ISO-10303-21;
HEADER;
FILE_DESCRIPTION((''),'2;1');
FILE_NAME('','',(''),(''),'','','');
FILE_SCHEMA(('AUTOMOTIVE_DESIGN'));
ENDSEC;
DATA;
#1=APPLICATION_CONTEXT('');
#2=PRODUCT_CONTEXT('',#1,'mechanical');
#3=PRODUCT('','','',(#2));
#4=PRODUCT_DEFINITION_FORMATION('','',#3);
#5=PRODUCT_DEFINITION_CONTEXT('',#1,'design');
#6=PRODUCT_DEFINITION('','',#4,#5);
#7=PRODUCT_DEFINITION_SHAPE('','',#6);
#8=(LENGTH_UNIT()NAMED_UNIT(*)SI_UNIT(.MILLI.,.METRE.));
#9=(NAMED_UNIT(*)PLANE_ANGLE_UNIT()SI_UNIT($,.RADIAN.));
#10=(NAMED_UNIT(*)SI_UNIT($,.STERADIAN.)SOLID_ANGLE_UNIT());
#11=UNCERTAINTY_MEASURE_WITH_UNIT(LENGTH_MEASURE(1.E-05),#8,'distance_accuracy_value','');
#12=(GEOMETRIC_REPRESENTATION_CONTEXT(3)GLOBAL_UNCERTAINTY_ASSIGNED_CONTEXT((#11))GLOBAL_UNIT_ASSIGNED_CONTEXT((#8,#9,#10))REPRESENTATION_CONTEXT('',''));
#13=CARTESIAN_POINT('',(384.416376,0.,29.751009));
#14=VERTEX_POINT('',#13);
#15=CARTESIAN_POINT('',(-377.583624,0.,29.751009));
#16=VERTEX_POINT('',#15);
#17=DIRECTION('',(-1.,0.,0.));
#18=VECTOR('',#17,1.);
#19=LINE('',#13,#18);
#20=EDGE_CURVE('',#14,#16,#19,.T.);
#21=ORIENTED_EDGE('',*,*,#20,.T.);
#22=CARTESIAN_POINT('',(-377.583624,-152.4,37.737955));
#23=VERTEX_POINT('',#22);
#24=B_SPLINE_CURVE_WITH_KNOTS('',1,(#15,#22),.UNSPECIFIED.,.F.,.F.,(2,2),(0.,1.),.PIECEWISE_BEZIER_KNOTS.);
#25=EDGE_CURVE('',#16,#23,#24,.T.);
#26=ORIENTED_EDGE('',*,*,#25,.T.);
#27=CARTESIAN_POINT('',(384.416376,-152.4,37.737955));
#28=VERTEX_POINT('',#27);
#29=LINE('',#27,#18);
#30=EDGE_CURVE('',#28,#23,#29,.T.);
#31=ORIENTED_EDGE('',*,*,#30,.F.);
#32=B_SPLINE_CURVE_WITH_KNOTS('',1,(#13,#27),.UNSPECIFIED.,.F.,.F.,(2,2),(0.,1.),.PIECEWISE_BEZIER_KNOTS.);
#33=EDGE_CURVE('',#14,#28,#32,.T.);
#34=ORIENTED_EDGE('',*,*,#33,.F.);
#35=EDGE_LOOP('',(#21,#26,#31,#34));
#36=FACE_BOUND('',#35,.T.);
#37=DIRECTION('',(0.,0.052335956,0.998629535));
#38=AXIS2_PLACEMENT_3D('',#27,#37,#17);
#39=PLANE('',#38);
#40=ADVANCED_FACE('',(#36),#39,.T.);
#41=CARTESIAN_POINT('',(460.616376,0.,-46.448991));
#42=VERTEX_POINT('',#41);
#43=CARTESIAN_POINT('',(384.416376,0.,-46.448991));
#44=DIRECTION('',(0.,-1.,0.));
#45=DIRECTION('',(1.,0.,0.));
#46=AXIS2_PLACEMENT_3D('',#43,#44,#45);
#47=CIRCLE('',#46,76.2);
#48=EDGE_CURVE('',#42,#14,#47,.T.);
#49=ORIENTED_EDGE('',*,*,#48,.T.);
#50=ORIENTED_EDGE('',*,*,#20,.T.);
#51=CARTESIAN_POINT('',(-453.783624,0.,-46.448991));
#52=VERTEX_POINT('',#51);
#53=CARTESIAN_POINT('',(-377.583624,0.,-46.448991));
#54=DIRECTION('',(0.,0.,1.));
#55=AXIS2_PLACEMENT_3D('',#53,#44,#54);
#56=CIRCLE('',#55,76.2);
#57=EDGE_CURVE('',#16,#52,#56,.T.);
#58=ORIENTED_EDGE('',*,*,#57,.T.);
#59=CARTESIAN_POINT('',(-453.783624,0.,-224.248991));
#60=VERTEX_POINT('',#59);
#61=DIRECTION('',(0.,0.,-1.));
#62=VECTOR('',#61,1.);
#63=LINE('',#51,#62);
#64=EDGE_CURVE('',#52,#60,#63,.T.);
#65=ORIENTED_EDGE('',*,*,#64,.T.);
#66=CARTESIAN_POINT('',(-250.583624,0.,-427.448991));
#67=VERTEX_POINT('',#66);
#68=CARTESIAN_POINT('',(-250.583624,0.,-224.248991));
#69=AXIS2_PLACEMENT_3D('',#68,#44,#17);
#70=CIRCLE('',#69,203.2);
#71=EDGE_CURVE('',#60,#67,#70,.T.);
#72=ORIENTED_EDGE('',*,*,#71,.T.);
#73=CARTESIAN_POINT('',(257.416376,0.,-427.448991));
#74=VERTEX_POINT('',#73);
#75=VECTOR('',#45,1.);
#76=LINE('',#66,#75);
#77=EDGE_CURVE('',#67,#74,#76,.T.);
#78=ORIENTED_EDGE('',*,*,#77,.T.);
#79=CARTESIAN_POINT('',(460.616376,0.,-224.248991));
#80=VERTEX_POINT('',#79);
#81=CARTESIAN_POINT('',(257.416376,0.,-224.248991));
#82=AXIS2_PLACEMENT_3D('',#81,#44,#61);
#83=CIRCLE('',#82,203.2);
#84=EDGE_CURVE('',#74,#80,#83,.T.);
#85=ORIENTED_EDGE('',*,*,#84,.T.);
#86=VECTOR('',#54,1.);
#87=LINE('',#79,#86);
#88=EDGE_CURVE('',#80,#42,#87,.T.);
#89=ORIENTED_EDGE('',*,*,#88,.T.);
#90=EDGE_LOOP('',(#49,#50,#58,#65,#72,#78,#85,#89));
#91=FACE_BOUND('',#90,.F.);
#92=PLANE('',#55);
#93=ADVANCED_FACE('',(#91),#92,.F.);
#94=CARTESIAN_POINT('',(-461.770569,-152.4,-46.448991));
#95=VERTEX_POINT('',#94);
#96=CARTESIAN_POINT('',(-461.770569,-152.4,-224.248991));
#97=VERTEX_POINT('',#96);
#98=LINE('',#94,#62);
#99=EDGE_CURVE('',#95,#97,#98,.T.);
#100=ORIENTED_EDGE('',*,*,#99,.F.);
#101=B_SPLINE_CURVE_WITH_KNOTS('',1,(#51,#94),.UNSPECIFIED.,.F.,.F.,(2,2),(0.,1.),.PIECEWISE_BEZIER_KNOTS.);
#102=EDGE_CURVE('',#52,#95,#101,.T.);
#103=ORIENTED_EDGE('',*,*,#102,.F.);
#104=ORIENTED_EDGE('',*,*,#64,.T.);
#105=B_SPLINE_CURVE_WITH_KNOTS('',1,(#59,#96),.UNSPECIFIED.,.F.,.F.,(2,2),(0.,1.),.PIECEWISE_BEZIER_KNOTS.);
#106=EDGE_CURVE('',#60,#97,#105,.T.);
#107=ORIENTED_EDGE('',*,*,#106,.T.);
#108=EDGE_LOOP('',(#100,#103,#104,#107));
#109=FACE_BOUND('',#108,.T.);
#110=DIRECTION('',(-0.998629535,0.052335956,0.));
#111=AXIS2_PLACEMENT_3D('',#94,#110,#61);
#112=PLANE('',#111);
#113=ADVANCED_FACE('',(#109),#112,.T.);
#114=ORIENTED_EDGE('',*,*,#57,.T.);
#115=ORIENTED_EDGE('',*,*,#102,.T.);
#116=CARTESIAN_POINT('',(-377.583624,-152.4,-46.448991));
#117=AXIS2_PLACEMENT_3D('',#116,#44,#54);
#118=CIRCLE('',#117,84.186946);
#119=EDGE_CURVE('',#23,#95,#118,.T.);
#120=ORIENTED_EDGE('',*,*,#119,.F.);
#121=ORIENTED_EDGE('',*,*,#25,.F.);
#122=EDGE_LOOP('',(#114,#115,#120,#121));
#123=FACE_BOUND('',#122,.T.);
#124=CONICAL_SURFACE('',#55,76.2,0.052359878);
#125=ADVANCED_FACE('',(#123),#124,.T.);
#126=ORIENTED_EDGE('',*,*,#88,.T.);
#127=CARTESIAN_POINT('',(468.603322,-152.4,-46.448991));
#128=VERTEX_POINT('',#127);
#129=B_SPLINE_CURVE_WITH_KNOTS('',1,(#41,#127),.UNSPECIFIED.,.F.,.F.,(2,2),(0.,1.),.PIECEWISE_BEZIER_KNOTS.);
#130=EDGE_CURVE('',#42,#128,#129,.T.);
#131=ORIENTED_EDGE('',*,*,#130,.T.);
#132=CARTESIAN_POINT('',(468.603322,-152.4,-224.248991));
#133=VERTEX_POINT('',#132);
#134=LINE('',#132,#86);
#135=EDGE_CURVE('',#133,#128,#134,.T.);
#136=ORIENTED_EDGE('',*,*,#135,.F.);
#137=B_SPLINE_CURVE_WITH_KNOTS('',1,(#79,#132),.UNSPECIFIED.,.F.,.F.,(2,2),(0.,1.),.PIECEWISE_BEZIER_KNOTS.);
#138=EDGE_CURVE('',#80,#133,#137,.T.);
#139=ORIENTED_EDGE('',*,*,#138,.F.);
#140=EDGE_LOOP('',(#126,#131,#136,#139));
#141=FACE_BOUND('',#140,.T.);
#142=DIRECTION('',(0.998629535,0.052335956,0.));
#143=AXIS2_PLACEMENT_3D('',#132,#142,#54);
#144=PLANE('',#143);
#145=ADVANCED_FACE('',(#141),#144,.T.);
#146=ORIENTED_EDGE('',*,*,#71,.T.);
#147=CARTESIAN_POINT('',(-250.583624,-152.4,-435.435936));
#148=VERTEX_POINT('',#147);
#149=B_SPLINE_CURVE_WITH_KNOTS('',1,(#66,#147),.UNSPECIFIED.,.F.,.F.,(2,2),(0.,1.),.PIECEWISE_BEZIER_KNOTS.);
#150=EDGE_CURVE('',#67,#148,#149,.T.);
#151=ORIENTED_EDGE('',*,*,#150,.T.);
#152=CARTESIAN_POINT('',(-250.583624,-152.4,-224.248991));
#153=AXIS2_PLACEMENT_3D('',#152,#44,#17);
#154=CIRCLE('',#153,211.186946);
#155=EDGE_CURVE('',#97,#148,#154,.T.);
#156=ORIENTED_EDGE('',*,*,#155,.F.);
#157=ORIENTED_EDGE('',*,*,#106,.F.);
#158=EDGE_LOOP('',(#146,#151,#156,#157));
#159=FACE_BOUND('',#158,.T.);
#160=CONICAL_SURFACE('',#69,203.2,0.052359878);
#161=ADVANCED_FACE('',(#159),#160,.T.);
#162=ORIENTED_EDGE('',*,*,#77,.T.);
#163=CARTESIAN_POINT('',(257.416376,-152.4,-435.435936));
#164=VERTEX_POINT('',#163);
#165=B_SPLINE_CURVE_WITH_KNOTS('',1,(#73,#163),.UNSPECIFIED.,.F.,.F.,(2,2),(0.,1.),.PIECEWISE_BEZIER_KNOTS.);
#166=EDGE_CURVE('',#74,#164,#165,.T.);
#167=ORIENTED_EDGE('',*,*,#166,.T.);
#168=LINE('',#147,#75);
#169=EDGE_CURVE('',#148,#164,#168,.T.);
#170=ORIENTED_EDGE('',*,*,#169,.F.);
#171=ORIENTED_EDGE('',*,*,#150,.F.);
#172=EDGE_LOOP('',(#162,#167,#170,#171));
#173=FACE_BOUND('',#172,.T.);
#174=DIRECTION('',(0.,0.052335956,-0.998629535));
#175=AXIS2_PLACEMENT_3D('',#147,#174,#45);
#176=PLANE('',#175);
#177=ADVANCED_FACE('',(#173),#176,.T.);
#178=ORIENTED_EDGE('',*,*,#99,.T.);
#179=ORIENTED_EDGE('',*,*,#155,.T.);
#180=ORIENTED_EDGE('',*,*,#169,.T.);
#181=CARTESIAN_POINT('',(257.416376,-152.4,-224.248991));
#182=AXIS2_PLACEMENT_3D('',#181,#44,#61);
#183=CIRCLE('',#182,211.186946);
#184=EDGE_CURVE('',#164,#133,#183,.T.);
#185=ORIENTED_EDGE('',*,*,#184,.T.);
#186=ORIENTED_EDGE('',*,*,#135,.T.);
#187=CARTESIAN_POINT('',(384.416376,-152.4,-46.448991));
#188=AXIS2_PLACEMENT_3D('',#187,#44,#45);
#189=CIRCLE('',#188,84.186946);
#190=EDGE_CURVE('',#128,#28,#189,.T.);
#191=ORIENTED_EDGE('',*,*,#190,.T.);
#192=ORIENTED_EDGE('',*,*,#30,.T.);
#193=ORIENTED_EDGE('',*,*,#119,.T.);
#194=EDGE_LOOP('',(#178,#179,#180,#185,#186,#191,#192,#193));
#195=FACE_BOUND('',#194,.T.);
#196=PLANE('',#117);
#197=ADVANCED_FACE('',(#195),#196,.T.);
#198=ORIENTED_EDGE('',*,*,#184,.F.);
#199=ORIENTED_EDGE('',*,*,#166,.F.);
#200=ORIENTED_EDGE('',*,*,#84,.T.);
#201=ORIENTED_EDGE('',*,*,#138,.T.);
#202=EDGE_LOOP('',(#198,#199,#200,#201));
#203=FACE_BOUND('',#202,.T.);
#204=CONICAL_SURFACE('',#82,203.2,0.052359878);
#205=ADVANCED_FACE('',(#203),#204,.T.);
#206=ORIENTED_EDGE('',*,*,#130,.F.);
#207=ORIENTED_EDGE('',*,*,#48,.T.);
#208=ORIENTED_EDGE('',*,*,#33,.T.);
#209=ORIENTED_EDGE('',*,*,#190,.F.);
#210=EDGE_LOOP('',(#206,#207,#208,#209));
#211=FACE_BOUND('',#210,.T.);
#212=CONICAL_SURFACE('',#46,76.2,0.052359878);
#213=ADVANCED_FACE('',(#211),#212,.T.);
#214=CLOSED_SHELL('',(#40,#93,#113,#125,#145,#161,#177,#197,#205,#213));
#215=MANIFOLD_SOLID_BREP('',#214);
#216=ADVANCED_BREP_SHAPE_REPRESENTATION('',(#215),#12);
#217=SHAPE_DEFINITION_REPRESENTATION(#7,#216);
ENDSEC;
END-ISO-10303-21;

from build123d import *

# Parameters (mm, degrees)
F1_DEPTH = 152.4
F1_TAPER = -3


with BuildPart() as f1:
    # F0 (on Front) → F1 (new body)
    with BuildSketch(Plane.XZ):
        with BuildLine():
            Line((384.4163761884, 29.7510090653), (-377.5836238116, 29.7510090653))
            ThreePointArc((-377.5836238116, 29.7510090653), (-431.465160538, 7.4325457917), (-453.7836238116, -46.4489909347))
            Line((-453.7836238116, -46.4489909347), (-453.7836238116, -224.2489909347))
            ThreePointArc((-453.7836238116, -224.2489909347), (-394.2677217487, -367.9330888718), (-250.5836238116, -427.4489909347))
            Line((-250.5836238116, -427.4489909347), (257.4163761884, -427.4489909347))
            ThreePointArc((257.4163761884, -427.4489909347), (401.1004741255, -367.9330888718), (460.6163761884, -224.2489909347))
            Line((460.6163761884, -224.2489909347), (460.6163761884, -46.4489909347))
            ThreePointArc((460.6163761884, -46.4489909347), (438.2979129148, 7.4325457917), (384.4163761884, 29.7510090653))
        make_face()
    extrude(amount=F1_DEPTH, taper=F1_TAPER)


solid = f1.part
